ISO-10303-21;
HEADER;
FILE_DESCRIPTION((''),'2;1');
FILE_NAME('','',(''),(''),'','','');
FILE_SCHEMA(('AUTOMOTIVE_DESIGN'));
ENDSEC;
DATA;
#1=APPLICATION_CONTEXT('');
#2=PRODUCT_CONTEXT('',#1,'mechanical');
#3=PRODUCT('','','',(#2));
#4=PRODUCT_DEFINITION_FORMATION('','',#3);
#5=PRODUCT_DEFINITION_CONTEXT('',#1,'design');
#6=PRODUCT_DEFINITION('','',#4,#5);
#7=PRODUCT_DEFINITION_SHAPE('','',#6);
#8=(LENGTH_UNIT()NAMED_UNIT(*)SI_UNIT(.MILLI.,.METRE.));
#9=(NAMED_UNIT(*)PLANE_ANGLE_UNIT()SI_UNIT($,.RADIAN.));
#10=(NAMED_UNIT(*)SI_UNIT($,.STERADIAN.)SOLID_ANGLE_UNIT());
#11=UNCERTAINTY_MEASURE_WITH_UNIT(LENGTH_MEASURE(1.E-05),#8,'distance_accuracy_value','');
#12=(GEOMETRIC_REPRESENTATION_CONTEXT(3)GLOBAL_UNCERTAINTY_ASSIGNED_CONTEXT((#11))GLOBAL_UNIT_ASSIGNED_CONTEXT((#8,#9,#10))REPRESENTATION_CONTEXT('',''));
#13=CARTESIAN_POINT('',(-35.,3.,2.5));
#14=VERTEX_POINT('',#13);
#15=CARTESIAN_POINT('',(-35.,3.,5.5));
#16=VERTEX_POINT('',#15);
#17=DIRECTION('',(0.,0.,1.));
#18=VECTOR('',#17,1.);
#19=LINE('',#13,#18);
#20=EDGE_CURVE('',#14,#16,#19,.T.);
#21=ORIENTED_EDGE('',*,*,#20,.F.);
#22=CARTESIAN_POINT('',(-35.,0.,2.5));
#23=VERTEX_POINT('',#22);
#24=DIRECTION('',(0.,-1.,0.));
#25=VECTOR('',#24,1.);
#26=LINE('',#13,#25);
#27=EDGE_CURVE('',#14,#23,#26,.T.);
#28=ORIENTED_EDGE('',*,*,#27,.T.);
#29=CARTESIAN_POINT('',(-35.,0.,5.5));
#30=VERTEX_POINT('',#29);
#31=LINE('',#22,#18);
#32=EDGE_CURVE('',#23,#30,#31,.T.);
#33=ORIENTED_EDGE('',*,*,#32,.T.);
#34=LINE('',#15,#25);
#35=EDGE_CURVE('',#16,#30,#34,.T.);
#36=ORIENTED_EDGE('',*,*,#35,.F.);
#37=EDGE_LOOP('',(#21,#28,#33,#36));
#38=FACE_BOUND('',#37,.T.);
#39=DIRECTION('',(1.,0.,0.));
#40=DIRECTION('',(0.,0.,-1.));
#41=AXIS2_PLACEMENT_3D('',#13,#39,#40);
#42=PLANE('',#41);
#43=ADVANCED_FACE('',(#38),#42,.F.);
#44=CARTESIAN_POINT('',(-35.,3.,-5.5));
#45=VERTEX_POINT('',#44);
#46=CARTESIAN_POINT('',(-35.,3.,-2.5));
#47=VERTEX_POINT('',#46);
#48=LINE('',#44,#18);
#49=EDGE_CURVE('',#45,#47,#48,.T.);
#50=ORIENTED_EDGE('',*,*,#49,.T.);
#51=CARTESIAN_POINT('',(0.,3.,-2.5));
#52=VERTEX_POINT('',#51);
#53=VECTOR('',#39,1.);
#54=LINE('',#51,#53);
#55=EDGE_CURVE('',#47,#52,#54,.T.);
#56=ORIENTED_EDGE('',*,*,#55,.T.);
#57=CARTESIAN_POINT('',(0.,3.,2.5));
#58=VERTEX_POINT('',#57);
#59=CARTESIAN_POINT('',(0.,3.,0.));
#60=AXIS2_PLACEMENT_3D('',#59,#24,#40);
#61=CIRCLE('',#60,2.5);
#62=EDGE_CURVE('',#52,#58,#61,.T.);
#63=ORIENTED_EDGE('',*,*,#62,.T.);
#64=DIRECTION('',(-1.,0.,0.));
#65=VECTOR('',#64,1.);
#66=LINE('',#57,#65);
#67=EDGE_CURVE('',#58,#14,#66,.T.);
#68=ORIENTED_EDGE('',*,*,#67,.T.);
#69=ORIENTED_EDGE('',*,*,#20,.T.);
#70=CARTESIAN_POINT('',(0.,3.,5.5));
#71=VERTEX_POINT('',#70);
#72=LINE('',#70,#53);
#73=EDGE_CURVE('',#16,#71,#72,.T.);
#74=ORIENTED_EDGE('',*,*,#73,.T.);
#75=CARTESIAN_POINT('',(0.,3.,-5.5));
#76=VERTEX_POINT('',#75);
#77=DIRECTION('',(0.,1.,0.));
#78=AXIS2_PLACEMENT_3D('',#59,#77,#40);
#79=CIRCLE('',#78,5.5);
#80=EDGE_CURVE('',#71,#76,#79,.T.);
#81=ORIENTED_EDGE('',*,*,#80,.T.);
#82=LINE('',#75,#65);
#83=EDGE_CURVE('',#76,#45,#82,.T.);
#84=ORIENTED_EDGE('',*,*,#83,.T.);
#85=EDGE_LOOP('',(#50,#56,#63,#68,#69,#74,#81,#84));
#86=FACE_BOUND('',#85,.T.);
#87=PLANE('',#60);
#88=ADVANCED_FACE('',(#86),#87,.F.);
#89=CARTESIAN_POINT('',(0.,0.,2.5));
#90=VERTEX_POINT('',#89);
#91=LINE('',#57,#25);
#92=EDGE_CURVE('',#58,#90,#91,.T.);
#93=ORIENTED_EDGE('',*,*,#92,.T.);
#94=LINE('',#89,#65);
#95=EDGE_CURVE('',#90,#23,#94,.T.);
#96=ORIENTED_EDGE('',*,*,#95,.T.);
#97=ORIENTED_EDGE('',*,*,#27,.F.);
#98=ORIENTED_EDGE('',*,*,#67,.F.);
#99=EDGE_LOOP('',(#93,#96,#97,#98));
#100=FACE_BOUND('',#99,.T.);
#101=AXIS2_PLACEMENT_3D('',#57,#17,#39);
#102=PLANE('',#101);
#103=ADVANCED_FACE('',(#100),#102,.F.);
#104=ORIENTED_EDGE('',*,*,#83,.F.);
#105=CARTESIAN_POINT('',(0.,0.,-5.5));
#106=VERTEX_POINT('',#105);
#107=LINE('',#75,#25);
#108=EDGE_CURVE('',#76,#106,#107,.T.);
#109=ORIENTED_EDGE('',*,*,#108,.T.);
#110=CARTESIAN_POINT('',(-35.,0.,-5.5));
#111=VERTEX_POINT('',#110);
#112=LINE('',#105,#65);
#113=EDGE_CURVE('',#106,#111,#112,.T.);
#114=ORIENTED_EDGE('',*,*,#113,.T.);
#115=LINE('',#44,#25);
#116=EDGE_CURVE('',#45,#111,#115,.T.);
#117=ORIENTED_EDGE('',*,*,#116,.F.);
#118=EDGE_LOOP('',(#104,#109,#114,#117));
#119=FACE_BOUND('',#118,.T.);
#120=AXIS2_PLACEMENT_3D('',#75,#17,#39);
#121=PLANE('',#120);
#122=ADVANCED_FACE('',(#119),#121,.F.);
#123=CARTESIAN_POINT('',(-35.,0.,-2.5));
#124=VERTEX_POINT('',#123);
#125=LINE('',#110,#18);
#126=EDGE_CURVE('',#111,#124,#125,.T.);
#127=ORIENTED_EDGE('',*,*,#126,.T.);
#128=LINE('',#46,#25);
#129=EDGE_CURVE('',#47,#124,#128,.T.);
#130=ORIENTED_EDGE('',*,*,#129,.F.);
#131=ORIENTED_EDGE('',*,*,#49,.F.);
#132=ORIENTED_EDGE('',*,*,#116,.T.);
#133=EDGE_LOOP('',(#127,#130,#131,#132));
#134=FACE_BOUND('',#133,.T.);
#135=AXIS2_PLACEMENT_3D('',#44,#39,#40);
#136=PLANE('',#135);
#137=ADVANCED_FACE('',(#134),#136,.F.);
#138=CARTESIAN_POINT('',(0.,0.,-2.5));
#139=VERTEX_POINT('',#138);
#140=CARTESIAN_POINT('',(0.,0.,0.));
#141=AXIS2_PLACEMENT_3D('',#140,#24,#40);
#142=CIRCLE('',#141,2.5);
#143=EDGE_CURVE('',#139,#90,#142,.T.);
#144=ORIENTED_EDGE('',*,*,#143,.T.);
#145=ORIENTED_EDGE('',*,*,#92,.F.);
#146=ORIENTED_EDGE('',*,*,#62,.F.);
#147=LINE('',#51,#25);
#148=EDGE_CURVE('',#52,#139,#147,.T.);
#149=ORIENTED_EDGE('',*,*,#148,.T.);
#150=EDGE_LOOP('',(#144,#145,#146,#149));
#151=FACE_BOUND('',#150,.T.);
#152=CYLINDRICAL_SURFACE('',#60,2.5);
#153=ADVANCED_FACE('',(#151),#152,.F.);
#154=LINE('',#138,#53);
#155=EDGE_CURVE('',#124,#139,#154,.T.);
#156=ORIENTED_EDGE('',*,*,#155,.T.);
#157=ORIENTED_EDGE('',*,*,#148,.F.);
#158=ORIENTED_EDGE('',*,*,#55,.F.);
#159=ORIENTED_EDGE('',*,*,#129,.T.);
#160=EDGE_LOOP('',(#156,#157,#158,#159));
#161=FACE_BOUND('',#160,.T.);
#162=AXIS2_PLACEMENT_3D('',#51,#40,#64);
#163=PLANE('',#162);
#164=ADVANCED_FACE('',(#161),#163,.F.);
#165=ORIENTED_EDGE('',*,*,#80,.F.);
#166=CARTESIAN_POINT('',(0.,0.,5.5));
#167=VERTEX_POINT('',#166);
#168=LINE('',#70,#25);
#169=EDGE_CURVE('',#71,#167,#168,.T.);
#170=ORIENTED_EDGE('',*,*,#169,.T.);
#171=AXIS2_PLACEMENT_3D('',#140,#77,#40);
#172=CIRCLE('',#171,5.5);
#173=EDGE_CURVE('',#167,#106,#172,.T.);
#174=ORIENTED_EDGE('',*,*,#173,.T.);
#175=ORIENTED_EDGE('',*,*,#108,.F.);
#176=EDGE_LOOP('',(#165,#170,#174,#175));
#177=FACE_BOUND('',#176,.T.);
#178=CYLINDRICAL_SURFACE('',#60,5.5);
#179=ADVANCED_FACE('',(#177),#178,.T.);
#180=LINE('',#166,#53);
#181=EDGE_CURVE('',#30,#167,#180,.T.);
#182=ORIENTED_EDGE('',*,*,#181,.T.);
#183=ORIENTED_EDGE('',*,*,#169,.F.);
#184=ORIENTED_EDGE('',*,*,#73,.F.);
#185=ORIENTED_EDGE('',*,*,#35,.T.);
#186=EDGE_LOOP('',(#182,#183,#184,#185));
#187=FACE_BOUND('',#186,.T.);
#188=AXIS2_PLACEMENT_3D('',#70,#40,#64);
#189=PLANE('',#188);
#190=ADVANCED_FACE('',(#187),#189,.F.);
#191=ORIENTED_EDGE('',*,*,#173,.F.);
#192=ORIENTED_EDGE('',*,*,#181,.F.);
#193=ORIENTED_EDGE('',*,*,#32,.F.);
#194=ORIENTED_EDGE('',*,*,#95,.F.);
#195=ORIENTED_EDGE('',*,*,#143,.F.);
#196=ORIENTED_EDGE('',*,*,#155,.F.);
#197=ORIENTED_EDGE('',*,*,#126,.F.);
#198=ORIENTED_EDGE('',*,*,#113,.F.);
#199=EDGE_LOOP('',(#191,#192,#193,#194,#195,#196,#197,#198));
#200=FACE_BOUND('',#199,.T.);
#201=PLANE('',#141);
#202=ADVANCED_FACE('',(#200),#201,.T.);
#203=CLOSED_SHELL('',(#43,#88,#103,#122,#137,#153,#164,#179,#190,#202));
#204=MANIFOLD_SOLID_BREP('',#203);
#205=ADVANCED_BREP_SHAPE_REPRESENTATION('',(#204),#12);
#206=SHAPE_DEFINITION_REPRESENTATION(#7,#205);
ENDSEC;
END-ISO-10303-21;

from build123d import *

# Parameters (mm, degrees)
EXTRUDE_1_DEPTH = 3


with BuildPart() as part:
    # 草图1 → 凸台-拉伸1 (new body)
    with BuildSketch(Plane(origin=(0, 0, 0), x_dir=(1, 0, 0), z_dir=(0, 1, 0))):
        with BuildLine():
            Line((0, 2.5), (-35, 2.5))
            Line((-35, 2.5), (-35, 5.5))
            Line((-35, 5.5), (0, 5.5))
            ThreePointArc((0, 5.5), (5.5, 0), (0, -5.5))
            Line((0, -5.5), (-35, -5.5))
            Line((-35, -5.5), (-35, -2.5))
            Line((-35, -2.5), (0, -2.5))
            ThreePointArc((0, -2.5), (2.5, 0), (0, 2.5))
        make_face()
    extrude(amount=EXTRUDE_1_DEPTH)


solid = part.part
